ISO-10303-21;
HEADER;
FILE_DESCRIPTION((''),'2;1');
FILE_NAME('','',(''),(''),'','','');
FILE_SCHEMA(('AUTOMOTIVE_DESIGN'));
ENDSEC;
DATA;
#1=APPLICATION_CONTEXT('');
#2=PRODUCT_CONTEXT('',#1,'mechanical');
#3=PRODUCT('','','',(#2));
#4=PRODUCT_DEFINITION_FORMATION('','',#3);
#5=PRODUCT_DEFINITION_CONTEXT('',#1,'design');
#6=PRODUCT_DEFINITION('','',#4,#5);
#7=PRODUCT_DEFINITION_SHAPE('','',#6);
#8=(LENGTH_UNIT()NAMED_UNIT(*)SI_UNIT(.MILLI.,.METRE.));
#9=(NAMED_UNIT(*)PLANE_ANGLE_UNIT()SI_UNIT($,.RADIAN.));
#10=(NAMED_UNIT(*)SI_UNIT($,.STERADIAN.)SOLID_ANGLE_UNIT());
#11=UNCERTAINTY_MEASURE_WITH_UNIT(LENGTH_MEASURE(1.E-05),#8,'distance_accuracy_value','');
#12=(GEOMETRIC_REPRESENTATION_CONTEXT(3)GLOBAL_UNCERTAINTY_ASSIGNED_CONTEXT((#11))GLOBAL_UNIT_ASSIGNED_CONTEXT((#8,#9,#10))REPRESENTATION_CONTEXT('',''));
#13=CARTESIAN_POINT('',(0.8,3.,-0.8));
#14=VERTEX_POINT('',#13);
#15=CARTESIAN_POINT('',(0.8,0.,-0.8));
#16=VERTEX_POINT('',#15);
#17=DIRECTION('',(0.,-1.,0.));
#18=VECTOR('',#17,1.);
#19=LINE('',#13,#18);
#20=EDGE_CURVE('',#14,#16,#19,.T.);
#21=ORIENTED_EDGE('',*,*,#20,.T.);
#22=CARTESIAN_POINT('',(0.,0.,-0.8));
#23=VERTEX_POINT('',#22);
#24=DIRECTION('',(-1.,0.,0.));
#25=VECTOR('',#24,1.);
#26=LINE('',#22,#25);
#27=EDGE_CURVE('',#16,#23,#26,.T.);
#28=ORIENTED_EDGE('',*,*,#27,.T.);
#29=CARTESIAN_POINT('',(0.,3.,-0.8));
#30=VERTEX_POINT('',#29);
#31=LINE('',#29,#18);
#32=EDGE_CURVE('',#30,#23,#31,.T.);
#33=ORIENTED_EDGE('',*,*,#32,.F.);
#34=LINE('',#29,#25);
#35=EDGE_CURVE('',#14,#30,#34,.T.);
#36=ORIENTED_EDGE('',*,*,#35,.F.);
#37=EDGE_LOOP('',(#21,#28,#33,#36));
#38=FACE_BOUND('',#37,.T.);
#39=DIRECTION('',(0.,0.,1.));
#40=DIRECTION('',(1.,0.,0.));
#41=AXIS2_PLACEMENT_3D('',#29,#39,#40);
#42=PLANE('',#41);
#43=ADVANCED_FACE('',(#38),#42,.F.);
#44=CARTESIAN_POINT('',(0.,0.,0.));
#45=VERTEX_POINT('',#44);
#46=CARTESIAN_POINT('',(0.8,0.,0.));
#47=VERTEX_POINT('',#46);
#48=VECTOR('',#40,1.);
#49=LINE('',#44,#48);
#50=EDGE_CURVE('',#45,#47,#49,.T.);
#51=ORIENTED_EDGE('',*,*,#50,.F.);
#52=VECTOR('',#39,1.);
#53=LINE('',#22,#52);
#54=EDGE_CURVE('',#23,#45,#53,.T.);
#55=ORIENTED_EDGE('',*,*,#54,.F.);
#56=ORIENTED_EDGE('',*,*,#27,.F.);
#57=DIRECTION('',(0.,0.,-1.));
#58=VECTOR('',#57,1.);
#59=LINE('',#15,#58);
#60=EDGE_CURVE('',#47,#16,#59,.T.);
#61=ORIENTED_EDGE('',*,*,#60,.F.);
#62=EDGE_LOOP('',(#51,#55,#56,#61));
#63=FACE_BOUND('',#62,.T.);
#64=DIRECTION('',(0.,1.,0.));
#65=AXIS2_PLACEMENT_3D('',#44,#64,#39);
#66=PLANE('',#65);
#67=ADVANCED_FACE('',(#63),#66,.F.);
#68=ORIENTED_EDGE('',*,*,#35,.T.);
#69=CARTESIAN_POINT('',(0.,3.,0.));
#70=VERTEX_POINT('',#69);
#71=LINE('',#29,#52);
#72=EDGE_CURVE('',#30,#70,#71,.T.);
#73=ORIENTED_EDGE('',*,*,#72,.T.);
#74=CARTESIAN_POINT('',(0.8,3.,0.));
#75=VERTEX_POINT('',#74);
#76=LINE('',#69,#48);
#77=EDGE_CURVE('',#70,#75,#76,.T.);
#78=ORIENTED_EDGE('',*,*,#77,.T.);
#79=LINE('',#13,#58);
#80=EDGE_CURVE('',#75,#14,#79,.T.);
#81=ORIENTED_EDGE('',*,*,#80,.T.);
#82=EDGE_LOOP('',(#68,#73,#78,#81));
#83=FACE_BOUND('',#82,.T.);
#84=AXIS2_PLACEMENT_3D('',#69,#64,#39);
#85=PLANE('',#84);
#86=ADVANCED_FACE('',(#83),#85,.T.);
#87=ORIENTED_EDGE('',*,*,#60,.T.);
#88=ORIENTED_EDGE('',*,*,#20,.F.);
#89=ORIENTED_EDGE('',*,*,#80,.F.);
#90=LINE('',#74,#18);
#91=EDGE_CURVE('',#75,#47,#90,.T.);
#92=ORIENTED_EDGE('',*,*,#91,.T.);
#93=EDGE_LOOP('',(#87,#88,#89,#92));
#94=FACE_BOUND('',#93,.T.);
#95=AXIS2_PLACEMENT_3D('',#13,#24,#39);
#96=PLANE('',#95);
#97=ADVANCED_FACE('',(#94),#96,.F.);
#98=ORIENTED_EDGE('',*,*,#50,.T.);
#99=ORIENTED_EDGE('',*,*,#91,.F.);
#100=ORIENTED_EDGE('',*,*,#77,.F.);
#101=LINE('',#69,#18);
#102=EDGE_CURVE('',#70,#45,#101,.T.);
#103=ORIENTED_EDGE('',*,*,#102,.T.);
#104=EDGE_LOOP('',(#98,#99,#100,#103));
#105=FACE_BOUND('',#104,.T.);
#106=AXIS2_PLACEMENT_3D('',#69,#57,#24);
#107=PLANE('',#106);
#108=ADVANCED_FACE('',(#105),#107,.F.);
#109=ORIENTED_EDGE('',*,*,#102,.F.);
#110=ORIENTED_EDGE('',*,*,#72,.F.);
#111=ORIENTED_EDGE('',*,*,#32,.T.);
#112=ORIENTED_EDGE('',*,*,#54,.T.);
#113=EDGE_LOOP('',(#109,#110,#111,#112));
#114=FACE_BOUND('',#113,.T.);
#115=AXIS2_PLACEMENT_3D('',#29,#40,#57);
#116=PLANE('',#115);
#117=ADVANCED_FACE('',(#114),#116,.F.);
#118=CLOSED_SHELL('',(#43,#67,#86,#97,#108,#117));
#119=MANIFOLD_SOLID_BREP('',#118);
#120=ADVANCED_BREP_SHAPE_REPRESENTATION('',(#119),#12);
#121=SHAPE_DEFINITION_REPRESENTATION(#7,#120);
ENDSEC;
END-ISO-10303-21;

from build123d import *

# Parameters (mm, degrees)
SKETCH2_W           = 0.8
SKETCH2_H           = 0.8
BOSS_EXTRUDE1_DEPTH = 3


with BuildPart() as part:
    # Sketch2 → Boss-Extrude1 (new body)
    with BuildSketch(Plane(origin=(0, 0, 0), x_dir=(1, 0, 0), z_dir=(0, 1, 0))):
        with Locations((0.4, 0.4)):
            Rectangle(SKETCH2_W, SKETCH2_H)
    extrude(amount=BOSS_EXTRUDE1_DEPTH)


solid = part.part
